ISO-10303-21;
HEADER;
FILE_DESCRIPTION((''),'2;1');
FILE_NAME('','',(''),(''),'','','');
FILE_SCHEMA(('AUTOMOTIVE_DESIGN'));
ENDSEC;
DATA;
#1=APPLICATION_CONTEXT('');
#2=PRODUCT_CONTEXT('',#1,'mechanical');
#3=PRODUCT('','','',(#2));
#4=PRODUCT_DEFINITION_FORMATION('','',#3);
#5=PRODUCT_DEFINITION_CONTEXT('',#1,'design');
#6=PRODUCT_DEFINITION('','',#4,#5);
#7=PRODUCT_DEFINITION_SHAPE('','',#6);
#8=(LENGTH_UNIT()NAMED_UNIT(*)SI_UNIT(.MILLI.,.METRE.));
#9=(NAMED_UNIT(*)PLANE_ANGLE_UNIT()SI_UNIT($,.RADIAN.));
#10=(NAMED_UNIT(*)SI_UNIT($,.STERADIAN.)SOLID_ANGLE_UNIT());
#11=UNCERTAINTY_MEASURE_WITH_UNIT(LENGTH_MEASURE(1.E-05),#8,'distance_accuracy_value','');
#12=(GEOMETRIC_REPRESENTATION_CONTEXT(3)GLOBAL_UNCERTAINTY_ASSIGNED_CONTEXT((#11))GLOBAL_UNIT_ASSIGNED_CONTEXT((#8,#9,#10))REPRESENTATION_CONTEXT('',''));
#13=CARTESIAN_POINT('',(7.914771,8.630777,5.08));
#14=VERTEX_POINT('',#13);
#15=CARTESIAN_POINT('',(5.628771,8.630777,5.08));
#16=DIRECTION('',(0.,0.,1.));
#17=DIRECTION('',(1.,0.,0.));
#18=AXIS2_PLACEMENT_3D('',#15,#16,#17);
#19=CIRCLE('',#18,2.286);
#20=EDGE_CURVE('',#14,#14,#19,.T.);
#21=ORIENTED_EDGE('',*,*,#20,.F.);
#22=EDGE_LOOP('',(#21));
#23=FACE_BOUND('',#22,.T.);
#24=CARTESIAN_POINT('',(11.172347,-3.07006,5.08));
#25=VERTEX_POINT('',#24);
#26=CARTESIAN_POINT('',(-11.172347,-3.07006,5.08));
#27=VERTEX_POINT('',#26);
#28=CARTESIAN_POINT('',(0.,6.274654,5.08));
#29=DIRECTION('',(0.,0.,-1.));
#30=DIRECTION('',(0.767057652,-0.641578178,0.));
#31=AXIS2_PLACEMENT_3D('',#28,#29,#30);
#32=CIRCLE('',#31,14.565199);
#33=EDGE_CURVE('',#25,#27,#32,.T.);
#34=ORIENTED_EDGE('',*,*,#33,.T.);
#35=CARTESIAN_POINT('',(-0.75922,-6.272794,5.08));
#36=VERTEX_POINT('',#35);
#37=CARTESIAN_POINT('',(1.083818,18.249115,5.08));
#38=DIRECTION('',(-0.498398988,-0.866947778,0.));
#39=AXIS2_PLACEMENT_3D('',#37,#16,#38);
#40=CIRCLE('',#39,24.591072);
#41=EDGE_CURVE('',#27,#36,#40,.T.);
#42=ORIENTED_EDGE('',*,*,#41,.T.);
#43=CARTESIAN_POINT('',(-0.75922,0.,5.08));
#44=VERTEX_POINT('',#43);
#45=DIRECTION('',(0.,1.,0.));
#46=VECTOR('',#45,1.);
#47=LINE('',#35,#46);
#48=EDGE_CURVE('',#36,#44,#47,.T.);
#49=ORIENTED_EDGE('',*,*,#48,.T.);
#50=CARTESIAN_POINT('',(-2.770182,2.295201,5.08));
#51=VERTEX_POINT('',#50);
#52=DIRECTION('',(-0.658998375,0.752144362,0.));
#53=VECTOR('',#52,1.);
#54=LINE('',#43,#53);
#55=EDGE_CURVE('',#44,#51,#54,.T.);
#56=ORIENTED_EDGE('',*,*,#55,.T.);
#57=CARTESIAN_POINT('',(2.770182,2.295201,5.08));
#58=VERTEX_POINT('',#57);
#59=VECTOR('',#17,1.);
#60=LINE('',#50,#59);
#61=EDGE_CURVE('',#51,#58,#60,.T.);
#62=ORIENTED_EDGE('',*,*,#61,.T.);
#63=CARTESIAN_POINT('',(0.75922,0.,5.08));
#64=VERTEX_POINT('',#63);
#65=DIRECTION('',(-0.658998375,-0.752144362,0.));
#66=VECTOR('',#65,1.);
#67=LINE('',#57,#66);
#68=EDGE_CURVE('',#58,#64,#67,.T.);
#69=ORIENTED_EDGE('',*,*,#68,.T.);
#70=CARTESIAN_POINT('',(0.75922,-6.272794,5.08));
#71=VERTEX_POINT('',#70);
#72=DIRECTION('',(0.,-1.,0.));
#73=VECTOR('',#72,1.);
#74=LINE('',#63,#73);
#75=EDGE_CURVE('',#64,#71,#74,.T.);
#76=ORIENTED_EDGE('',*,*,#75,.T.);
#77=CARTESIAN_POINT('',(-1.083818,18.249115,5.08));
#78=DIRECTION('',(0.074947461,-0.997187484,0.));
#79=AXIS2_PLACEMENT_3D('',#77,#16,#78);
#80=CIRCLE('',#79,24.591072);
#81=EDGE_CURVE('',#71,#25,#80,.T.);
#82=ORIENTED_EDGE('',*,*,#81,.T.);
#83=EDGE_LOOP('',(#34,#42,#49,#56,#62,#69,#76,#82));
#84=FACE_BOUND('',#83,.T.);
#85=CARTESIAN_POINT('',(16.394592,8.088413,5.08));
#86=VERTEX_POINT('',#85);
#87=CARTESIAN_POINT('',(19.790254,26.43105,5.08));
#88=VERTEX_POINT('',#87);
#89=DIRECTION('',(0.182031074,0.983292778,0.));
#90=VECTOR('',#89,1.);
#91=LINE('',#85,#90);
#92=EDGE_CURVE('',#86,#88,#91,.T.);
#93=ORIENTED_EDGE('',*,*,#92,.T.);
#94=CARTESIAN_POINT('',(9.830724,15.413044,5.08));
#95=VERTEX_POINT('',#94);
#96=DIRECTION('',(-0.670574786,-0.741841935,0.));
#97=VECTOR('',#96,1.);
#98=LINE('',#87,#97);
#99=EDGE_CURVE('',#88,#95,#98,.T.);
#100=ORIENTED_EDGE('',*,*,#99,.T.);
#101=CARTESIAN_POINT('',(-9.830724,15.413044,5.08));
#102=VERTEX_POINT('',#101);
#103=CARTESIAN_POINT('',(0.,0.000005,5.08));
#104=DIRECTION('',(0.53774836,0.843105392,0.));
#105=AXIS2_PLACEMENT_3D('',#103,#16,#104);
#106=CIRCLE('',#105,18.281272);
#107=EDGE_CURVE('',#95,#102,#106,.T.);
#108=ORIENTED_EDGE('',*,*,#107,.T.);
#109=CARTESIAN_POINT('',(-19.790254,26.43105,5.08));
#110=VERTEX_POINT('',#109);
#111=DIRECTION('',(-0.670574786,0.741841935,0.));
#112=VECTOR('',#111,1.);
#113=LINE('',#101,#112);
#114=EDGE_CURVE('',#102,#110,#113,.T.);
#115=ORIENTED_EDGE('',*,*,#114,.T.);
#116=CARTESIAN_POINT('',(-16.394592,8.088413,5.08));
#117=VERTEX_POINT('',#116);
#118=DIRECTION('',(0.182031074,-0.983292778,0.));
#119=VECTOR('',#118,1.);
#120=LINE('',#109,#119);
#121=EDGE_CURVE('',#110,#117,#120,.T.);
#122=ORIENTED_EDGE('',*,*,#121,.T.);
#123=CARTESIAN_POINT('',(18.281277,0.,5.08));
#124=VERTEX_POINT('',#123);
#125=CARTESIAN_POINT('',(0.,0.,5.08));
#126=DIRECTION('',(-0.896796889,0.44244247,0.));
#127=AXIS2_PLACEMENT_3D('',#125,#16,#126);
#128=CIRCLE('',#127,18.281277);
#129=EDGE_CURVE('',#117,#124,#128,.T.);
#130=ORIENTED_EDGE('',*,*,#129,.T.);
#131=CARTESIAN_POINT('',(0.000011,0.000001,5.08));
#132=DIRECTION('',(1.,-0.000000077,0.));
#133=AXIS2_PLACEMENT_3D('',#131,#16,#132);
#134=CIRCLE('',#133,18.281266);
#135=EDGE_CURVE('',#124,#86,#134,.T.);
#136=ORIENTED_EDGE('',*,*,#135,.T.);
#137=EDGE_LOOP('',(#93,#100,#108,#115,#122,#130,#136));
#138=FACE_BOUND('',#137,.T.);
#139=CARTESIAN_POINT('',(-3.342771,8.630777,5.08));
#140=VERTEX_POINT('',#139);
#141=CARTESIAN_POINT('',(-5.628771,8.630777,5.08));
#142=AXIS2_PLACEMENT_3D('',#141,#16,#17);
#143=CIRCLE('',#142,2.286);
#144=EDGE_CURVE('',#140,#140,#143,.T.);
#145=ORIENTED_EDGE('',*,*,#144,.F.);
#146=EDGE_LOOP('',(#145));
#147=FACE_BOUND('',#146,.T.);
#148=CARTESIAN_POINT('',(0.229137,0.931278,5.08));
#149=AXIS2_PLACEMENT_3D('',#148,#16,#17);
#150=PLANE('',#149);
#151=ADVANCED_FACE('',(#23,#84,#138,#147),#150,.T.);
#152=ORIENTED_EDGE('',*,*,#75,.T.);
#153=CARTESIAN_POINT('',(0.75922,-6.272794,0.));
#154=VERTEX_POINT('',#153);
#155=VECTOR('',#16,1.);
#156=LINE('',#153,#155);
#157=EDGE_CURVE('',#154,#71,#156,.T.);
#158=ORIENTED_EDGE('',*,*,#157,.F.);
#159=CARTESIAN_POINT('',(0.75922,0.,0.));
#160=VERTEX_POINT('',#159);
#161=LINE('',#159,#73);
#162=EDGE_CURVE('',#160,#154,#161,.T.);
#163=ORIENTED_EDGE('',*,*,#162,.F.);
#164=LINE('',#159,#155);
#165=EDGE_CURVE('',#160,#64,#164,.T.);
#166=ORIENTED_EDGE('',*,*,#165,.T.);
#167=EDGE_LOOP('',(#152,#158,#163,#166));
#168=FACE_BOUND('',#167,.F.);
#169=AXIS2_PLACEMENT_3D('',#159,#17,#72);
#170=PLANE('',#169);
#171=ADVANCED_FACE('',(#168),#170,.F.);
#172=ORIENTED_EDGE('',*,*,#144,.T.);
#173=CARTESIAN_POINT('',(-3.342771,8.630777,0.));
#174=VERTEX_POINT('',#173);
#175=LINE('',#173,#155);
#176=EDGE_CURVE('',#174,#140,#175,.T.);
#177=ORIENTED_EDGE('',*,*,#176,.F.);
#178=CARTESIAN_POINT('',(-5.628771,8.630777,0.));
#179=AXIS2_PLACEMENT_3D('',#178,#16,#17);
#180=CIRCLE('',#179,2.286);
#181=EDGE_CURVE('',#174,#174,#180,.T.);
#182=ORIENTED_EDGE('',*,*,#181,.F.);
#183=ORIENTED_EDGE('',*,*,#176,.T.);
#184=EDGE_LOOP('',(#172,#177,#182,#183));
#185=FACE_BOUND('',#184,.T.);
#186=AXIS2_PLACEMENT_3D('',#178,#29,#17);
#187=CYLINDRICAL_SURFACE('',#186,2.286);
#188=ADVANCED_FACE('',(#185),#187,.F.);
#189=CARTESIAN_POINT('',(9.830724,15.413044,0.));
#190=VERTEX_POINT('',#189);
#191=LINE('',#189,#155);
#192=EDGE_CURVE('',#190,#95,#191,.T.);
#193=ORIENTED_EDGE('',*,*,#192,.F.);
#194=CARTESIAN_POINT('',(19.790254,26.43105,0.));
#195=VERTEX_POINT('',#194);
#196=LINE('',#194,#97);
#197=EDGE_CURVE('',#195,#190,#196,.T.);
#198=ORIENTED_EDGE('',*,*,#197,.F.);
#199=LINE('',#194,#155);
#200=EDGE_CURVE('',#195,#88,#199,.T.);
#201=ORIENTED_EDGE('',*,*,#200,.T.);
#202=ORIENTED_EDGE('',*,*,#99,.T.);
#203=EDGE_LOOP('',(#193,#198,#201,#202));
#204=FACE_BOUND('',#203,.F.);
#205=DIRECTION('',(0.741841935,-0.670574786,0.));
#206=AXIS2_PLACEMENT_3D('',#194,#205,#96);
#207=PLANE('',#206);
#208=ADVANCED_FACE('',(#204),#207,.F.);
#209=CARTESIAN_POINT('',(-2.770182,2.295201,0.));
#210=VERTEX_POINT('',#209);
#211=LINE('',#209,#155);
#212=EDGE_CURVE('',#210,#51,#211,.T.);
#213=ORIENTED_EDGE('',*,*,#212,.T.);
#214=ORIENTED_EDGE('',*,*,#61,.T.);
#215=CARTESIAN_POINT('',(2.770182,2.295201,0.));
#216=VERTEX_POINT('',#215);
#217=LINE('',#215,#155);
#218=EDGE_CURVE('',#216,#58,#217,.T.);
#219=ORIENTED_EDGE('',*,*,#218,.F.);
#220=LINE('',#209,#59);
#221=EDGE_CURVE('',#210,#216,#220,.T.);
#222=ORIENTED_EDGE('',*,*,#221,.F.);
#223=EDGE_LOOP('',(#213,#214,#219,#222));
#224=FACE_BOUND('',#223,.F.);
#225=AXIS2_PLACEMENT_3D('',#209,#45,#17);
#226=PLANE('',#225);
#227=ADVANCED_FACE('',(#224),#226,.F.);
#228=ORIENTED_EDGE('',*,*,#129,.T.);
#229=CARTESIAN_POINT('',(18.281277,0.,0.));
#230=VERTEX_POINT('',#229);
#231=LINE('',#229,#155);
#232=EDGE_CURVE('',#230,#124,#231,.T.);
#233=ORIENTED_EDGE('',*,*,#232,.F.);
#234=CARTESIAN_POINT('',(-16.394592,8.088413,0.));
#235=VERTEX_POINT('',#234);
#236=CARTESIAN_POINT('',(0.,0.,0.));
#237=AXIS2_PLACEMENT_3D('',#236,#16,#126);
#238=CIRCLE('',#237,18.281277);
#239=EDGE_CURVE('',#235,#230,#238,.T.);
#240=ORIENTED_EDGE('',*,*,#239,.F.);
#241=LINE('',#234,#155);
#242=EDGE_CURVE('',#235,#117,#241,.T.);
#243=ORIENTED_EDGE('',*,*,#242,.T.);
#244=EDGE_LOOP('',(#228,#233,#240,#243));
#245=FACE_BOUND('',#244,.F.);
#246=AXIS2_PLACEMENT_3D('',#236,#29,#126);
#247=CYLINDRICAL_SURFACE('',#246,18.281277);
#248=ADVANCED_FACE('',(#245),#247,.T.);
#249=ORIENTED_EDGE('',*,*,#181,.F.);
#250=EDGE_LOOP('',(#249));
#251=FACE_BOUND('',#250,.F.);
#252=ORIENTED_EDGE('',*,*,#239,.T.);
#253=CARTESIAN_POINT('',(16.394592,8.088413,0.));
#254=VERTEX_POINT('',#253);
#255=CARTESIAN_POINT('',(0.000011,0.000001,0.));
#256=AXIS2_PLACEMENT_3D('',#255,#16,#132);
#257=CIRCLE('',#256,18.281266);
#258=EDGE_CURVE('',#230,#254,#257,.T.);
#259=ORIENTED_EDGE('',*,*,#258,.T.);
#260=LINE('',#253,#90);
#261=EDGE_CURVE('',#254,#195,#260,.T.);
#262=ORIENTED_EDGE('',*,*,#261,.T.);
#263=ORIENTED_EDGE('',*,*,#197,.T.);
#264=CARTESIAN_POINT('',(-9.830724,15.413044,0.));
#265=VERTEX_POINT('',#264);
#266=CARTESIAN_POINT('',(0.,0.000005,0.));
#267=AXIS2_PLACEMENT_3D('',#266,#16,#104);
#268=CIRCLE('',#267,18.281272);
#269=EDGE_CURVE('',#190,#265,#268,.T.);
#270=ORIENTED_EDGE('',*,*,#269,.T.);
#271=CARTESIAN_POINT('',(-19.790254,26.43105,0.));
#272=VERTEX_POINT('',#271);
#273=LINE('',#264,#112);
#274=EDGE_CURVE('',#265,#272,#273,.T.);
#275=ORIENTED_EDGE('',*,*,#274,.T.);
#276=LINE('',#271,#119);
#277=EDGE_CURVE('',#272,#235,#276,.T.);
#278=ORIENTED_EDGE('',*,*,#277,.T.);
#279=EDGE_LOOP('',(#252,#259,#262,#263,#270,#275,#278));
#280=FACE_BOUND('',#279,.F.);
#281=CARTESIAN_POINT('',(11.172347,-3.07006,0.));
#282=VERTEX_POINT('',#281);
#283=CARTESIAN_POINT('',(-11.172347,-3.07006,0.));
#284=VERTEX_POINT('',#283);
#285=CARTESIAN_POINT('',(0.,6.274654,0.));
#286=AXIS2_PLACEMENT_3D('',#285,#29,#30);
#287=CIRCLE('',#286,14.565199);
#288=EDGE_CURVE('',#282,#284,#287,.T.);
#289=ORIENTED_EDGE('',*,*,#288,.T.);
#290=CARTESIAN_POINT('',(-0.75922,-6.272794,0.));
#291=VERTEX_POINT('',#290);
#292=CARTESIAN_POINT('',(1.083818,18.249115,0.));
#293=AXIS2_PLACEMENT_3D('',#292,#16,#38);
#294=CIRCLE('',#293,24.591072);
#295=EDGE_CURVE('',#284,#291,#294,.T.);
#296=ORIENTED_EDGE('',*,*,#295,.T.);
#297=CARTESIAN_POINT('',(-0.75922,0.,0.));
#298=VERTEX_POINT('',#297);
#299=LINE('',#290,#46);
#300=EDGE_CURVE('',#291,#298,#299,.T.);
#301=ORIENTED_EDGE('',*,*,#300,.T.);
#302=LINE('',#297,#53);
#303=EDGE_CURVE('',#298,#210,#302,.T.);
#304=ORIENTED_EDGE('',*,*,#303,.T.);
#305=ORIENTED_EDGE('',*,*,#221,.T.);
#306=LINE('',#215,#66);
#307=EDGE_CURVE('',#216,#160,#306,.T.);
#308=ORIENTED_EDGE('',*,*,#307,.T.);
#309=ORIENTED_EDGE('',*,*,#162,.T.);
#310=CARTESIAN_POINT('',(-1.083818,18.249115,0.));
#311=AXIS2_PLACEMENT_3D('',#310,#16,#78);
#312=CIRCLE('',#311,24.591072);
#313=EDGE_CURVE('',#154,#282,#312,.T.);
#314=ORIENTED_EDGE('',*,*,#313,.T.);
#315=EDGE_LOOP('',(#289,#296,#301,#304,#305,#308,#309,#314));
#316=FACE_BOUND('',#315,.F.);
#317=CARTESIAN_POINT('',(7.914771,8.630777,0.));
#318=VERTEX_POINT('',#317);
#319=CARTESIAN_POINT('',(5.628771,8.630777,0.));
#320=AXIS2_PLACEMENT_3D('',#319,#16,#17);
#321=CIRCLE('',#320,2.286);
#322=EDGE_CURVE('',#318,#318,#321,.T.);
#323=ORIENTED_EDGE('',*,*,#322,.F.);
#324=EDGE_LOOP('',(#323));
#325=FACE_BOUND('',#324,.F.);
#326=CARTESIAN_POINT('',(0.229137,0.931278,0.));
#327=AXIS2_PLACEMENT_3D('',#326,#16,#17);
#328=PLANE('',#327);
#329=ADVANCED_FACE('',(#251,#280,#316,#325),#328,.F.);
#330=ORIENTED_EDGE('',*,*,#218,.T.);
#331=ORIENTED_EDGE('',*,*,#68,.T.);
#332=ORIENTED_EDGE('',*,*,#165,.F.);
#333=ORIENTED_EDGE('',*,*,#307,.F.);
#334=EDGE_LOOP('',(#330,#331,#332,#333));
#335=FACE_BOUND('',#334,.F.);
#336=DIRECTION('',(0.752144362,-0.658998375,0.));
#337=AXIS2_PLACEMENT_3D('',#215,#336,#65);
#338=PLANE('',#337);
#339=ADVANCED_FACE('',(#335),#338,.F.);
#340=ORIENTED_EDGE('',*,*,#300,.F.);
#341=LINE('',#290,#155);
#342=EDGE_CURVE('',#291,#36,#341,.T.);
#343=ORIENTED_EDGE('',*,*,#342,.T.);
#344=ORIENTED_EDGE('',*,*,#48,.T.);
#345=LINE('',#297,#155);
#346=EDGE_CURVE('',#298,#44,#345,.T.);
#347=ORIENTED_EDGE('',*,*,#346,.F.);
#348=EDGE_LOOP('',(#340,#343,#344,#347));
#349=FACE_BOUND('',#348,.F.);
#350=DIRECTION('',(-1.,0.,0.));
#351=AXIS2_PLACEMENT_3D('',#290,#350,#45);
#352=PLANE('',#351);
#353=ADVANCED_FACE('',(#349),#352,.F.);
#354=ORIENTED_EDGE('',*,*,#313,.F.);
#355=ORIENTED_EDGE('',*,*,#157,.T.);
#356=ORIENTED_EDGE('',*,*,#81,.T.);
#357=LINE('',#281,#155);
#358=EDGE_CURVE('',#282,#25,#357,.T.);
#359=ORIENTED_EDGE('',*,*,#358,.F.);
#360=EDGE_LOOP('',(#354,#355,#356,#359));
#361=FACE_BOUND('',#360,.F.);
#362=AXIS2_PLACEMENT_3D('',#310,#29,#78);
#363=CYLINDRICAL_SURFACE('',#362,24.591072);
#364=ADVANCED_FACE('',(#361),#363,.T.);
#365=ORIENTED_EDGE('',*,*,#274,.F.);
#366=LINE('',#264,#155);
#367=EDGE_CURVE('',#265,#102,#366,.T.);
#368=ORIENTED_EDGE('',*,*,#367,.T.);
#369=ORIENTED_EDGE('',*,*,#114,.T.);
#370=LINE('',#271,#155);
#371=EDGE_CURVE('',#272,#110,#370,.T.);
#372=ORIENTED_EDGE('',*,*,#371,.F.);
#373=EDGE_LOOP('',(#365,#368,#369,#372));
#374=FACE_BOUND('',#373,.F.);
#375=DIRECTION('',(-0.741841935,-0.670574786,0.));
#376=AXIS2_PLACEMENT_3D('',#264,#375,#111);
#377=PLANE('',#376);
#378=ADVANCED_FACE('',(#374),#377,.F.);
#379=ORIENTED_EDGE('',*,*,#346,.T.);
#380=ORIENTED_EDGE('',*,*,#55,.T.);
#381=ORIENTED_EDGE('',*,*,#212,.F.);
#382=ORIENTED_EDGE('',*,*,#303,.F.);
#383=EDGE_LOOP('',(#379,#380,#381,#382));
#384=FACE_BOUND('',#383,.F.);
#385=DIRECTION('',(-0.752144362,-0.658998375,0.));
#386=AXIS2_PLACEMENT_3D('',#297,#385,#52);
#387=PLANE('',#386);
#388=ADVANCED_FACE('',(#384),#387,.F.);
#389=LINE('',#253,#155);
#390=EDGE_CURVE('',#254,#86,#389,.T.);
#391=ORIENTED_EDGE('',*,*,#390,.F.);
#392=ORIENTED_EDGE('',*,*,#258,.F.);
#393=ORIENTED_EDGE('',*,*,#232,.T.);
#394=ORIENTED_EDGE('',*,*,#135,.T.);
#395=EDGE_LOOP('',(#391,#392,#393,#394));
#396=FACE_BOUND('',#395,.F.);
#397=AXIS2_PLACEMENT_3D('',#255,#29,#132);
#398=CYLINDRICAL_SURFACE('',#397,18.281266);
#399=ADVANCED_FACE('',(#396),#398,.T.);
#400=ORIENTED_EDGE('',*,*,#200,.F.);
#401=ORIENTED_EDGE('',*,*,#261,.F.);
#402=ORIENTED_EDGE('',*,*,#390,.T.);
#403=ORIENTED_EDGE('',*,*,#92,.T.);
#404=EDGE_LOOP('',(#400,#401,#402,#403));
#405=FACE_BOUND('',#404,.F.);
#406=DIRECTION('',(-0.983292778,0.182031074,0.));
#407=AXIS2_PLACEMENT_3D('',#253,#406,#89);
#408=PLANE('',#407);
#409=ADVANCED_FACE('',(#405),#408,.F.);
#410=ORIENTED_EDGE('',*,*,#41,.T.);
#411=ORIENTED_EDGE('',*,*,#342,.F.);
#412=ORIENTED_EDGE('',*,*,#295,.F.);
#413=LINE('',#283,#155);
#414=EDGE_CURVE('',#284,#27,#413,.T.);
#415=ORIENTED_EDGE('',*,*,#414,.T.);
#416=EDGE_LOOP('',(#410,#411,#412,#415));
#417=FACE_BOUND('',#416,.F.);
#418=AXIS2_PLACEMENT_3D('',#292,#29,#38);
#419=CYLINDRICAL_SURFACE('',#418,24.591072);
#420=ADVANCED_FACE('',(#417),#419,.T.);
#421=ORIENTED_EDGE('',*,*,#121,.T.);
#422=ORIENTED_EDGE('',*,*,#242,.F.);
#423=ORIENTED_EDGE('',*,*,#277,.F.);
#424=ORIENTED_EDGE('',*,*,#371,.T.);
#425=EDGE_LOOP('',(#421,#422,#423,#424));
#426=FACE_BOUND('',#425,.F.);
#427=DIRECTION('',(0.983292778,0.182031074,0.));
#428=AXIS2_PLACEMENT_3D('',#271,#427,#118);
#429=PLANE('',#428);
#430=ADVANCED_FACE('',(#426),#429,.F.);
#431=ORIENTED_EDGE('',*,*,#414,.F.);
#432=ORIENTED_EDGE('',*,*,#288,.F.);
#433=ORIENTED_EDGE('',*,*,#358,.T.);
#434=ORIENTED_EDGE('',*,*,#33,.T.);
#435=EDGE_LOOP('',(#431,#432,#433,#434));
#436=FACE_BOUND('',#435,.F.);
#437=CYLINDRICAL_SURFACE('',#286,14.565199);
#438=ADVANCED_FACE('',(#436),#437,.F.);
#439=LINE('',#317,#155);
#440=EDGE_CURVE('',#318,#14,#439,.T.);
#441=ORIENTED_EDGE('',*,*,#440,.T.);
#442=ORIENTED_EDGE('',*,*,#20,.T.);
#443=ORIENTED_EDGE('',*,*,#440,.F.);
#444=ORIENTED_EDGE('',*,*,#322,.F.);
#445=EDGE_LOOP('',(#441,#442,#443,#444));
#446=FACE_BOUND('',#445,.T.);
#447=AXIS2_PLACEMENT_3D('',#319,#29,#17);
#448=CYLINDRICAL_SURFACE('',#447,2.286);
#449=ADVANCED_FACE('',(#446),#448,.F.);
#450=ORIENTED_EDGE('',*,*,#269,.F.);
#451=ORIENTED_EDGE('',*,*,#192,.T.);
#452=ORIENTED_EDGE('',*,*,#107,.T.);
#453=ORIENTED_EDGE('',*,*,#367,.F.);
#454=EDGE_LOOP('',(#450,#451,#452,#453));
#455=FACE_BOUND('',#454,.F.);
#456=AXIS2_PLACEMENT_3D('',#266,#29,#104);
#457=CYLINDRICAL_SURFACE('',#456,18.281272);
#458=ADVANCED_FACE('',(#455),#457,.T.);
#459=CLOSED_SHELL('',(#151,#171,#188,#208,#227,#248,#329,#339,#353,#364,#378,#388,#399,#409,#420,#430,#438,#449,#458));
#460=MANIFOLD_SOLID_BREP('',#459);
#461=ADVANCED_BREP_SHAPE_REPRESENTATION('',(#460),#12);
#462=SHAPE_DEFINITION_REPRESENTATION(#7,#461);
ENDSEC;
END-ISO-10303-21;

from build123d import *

# Parameters (mm, degrees)
F0_R     = 2.286
F1_DEPTH = 5.08


with BuildPart() as f1:
    # F0 (on Top) → F1 (new body)
    with BuildSketch(Plane.XY):
        with BuildLine():
            ThreePointArc((-16.394592, 8.088413), (-4.15277, -17.803359), (18.281277, 0))
            ThreePointArc((18.281277, 0), (17.803359, 4.15277), (16.394592, 8.088413))
            ThreePointArc((16.394592, 8.088413), (13.614491, 12.200439), (9.830724, 15.413044))
            ThreePointArc((9.830724, 15.413044), (0, 18.281277), (-9.830724, 15.413044))
            ThreePointArc((-9.830724, 15.413044), (-13.614491, 12.200439), (-16.394592, 8.088413))
        make_face()
        with BuildLine():
            ThreePointArc((11.172347, -3.07006), (0, -8.290545), (-11.172347, -3.07006))
            ThreePointArc((-11.172347, -3.07006), (-6.145377, -5.255343), (-0.75922, -6.272794))
            Line((-0.75922, -6.272794), (-0.75922, 0))
            Line((-0.75922, 0), (-2.770182, 2.295201))
            Line((-2.770182, 2.295201), (2.770182, 2.295201))
            Line((2.770182, 2.295201), (0.75922, 0))
            Line((0.75922, 0), (0.75922, -6.272794))
            ThreePointArc((0.75922, -6.272794), (6.145377, -5.255343), (11.172347, -3.07006))
        make_face(mode=Mode.SUBTRACT)
        with Locations((-5.628771, 8.630777)):
            Circle(F0_R, mode=Mode.SUBTRACT)
        with Locations((5.628771, 8.630777)):
            Circle(F0_R, mode=Mode.SUBTRACT)
        with BuildLine():
            ThreePointArc((9.830724, 15.413044), (13.614491, 12.200439), (16.394592, 8.088413))
            Line((16.394592, 8.088413), (19.790254, 26.43105))
            Line((19.790254, 26.43105), (9.830724, 15.413044))
        make_face()
        with BuildLine():
            Line((-19.790254, 26.43105), (-16.394592, 8.088413))
            ThreePointArc((-16.394592, 8.088413), (-13.614491, 12.200439), (-9.830724, 15.413044))
            Line((-9.830724, 15.413044), (-19.790254, 26.43105))
        make_face()
    extrude(amount=F1_DEPTH)


solid = f1.part
